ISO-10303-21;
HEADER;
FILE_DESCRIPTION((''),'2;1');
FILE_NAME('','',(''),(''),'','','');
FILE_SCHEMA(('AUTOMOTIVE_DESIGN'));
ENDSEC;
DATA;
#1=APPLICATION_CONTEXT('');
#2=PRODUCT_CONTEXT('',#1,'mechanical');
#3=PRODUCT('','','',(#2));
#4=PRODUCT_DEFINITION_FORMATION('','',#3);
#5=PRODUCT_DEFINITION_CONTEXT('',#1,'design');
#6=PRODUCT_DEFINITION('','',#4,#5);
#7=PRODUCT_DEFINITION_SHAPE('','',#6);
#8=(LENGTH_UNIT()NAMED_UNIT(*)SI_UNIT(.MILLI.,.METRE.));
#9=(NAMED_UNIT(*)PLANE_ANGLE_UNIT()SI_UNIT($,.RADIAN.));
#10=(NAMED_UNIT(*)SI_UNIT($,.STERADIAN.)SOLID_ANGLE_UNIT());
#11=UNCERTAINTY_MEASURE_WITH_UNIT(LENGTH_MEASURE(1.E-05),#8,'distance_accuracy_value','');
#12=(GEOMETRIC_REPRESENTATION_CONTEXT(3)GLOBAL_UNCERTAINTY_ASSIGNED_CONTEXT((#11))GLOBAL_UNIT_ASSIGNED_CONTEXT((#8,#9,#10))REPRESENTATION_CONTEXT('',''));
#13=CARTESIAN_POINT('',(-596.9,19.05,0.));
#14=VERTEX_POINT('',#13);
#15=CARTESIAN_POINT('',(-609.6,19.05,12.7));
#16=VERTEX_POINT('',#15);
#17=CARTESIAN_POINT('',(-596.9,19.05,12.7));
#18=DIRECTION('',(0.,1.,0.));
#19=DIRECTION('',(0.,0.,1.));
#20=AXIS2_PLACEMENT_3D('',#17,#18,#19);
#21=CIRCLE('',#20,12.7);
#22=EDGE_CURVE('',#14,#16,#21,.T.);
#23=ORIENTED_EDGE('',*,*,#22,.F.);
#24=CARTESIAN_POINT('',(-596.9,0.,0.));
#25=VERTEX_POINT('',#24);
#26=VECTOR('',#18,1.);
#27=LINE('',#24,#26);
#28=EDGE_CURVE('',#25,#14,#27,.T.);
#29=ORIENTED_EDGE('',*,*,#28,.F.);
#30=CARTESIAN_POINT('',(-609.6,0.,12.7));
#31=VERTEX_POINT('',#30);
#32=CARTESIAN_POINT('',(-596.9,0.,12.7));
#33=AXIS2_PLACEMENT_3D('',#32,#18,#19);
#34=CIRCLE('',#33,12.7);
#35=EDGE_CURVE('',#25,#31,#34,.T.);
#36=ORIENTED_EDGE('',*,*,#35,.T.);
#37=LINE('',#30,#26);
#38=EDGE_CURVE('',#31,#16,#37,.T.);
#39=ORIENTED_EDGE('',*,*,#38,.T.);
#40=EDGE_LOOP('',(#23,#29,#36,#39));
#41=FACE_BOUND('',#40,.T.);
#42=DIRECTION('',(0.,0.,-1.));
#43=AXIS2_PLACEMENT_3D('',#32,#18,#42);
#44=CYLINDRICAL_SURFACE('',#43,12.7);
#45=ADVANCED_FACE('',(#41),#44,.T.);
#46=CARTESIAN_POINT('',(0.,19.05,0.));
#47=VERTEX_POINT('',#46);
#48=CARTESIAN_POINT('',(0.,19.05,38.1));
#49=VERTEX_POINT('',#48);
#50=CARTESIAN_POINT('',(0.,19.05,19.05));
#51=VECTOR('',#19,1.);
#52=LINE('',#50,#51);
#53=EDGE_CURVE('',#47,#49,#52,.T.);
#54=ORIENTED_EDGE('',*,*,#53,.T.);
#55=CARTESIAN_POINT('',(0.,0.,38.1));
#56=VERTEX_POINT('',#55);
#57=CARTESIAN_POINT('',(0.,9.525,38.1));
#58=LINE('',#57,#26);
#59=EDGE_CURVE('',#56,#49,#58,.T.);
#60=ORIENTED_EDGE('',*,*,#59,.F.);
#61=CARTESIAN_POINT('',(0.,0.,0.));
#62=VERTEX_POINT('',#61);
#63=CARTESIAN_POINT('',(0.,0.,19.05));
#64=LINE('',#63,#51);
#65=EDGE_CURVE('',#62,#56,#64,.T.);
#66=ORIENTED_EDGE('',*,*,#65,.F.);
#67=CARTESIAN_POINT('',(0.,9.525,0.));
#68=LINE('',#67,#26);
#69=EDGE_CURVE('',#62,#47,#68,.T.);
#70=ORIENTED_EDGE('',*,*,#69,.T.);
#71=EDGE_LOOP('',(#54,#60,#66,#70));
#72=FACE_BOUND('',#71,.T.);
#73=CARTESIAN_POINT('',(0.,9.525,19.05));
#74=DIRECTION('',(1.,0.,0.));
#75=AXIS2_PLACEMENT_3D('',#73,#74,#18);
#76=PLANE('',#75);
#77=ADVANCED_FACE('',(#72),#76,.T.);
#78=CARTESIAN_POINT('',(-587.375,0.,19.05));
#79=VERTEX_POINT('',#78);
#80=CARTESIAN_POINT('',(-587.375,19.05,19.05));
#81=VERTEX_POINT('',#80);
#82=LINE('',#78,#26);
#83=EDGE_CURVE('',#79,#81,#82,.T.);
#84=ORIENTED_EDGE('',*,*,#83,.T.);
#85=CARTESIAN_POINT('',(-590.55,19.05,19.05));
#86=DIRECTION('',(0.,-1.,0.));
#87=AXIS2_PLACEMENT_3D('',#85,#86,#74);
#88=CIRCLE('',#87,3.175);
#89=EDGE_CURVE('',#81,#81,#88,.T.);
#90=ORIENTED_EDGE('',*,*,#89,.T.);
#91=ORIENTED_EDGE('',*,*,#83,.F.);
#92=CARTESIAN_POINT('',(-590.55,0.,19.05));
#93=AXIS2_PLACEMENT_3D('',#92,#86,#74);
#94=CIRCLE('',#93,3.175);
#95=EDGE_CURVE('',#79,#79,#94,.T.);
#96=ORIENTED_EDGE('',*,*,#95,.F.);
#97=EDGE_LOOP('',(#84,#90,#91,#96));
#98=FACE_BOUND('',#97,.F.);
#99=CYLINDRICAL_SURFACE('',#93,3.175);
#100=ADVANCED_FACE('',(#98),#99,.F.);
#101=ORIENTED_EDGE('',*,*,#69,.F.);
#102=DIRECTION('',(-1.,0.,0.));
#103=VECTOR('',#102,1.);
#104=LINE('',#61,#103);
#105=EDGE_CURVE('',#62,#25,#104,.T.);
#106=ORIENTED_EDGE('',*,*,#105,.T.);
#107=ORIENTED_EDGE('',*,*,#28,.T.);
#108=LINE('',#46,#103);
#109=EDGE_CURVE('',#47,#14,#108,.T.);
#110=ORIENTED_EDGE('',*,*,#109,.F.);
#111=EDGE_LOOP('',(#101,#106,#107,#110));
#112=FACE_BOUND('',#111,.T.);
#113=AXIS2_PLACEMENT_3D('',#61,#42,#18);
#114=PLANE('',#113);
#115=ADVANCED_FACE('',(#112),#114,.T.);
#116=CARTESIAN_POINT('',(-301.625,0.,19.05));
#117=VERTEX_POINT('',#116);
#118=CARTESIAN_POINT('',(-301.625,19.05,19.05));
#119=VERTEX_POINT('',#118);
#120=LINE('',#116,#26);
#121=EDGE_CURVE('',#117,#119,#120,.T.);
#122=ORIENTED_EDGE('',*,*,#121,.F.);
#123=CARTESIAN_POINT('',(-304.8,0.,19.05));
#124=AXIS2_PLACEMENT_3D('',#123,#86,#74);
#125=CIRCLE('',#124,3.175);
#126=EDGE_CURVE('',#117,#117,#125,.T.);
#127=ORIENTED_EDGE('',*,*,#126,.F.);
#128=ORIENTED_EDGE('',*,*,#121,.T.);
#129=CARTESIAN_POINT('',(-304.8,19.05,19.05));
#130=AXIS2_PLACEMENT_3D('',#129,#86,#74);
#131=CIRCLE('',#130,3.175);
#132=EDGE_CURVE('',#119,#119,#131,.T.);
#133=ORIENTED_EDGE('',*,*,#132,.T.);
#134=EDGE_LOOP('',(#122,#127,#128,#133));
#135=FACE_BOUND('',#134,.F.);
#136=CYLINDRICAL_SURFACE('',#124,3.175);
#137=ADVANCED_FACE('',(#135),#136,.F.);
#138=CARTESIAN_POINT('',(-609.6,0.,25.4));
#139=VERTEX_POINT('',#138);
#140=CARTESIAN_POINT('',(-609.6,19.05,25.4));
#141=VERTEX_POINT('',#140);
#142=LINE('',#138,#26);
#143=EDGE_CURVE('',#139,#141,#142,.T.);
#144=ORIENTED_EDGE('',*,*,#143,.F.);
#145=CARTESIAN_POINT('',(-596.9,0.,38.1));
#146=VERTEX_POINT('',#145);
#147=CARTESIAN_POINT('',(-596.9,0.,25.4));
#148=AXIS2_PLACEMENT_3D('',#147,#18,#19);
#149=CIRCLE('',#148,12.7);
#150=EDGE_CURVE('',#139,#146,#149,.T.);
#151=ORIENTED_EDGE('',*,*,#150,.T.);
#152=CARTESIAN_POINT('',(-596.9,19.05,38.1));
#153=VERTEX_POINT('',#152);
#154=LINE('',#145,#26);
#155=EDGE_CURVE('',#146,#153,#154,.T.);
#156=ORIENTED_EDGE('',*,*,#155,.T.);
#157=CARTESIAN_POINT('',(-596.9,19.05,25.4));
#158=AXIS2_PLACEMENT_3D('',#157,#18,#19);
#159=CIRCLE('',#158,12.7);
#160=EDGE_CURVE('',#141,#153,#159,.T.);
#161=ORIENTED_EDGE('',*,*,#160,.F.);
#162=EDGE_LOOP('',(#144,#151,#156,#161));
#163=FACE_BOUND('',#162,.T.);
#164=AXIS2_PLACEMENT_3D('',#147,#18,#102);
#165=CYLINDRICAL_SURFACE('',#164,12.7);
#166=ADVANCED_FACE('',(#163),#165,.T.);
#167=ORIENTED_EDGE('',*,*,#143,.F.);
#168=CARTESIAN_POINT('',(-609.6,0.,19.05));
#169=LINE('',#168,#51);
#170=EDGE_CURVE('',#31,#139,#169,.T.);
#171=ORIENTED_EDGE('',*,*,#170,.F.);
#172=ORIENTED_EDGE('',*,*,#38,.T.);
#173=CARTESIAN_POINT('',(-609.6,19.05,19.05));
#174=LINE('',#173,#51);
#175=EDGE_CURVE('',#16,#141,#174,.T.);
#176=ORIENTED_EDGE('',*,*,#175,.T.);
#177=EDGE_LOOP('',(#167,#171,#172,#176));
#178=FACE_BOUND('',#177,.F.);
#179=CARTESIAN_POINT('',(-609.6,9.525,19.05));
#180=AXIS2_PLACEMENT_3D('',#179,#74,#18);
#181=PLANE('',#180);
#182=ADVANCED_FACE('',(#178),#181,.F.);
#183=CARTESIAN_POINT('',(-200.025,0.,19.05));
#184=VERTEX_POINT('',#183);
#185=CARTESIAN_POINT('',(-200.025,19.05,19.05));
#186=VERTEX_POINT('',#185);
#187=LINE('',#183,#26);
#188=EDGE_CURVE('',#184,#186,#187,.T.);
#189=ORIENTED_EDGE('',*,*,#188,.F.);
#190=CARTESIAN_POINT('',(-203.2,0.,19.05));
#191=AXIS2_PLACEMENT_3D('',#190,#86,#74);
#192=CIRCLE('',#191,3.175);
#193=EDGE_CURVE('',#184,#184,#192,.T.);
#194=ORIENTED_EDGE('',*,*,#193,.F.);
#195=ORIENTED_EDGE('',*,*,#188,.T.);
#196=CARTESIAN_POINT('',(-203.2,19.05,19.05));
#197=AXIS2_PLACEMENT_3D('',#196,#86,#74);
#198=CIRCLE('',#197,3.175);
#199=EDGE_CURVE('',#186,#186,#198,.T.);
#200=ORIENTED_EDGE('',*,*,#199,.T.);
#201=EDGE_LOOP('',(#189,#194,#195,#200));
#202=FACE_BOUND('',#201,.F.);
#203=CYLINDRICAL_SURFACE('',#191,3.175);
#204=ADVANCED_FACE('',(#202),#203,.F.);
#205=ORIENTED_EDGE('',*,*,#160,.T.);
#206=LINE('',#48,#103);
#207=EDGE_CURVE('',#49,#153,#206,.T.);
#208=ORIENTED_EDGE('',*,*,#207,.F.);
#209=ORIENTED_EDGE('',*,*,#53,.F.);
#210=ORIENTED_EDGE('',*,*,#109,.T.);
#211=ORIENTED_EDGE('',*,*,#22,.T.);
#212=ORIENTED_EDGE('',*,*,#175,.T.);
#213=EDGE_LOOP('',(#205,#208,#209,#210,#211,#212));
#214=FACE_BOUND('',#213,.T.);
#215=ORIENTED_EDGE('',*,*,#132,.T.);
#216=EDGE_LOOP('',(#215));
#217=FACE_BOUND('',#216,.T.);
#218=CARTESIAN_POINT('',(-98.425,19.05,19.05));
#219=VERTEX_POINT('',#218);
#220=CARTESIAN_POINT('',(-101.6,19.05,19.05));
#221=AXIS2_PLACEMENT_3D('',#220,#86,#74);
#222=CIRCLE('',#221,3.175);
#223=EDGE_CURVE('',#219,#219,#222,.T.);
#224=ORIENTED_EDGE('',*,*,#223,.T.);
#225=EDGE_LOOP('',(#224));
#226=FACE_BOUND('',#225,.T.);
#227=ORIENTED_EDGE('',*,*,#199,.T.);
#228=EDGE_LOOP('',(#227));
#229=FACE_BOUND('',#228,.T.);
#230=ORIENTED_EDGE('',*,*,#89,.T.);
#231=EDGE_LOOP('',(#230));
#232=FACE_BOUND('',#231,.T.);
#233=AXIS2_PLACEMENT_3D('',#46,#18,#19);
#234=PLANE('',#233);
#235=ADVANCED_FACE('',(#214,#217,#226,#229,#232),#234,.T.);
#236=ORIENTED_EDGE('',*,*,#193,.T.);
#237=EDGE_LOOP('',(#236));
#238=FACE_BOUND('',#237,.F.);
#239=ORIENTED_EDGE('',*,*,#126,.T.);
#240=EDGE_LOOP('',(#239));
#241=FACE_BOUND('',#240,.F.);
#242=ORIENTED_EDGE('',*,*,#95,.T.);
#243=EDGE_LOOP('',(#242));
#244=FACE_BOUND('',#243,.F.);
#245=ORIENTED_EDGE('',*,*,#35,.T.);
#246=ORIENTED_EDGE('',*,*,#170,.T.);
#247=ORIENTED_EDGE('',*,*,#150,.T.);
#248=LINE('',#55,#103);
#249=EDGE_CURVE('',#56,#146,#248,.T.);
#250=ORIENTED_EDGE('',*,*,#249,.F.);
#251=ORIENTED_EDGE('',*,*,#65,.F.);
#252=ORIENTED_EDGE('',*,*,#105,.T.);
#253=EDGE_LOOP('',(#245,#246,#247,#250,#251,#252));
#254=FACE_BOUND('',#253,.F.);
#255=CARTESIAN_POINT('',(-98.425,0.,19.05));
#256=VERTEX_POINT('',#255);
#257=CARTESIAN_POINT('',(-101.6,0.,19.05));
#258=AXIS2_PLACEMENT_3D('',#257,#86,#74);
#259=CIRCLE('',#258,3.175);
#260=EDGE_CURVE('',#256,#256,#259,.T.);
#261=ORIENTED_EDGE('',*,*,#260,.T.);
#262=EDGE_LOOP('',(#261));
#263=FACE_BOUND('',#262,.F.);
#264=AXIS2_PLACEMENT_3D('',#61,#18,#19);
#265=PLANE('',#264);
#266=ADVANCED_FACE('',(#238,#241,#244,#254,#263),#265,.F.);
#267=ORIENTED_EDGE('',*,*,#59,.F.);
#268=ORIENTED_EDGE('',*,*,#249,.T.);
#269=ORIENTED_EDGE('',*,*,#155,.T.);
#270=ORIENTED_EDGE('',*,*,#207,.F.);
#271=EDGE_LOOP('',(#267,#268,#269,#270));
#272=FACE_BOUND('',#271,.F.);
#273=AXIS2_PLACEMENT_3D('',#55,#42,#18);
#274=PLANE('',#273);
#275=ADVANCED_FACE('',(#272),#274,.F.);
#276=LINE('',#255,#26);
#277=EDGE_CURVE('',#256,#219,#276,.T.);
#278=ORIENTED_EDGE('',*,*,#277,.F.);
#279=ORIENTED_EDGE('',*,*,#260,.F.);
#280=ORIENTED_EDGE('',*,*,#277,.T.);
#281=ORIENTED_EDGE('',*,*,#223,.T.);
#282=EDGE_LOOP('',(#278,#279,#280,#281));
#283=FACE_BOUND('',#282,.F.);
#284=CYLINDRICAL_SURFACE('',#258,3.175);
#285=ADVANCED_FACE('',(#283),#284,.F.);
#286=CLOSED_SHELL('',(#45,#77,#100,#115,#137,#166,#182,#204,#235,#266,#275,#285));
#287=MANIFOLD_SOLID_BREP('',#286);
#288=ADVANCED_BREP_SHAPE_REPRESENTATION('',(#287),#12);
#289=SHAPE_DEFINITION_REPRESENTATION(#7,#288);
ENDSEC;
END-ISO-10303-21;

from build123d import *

# Parameters (mm, degrees)
F0_W     = 19.05
F0_H     = 38.1
F1_DEPTH = 609.6
F2_R     = 3.175
F3_DEPTH = 19.051
F4_R     = 12.7


with BuildPart() as f1:
    # F0 (on Right) → F1 (new body)
    with BuildSketch(Plane.YZ):
        with Locations((9.525, 19.05)):
            Rectangle(F0_W, F0_H)
    extrude(amount=-F1_DEPTH)

    # F2 (on face) → F3 (cut, through all)
    with BuildSketch(Plane.XZ):
        with Locations((-101.6, 19.05)):
            Circle(F2_R)
        with Locations((-203.2, 19.05)):
            Circle(F2_R)
        with Locations((-304.8, 19.05)):
            Circle(F2_R)
        with Locations((-590.55, 19.05)):
            Circle(F2_R)
    extrude(amount=-F3_DEPTH, mode=Mode.SUBTRACT)

    # F4
    f4_edges = [f1.edges().sort_by_distance(p)[0] for p in [
        (-609.6, 9.525, 38.1),
        (-609.6, 9.525, 0),
    ]]
    fillet(f4_edges, radius=F4_R)


solid = f1.part
